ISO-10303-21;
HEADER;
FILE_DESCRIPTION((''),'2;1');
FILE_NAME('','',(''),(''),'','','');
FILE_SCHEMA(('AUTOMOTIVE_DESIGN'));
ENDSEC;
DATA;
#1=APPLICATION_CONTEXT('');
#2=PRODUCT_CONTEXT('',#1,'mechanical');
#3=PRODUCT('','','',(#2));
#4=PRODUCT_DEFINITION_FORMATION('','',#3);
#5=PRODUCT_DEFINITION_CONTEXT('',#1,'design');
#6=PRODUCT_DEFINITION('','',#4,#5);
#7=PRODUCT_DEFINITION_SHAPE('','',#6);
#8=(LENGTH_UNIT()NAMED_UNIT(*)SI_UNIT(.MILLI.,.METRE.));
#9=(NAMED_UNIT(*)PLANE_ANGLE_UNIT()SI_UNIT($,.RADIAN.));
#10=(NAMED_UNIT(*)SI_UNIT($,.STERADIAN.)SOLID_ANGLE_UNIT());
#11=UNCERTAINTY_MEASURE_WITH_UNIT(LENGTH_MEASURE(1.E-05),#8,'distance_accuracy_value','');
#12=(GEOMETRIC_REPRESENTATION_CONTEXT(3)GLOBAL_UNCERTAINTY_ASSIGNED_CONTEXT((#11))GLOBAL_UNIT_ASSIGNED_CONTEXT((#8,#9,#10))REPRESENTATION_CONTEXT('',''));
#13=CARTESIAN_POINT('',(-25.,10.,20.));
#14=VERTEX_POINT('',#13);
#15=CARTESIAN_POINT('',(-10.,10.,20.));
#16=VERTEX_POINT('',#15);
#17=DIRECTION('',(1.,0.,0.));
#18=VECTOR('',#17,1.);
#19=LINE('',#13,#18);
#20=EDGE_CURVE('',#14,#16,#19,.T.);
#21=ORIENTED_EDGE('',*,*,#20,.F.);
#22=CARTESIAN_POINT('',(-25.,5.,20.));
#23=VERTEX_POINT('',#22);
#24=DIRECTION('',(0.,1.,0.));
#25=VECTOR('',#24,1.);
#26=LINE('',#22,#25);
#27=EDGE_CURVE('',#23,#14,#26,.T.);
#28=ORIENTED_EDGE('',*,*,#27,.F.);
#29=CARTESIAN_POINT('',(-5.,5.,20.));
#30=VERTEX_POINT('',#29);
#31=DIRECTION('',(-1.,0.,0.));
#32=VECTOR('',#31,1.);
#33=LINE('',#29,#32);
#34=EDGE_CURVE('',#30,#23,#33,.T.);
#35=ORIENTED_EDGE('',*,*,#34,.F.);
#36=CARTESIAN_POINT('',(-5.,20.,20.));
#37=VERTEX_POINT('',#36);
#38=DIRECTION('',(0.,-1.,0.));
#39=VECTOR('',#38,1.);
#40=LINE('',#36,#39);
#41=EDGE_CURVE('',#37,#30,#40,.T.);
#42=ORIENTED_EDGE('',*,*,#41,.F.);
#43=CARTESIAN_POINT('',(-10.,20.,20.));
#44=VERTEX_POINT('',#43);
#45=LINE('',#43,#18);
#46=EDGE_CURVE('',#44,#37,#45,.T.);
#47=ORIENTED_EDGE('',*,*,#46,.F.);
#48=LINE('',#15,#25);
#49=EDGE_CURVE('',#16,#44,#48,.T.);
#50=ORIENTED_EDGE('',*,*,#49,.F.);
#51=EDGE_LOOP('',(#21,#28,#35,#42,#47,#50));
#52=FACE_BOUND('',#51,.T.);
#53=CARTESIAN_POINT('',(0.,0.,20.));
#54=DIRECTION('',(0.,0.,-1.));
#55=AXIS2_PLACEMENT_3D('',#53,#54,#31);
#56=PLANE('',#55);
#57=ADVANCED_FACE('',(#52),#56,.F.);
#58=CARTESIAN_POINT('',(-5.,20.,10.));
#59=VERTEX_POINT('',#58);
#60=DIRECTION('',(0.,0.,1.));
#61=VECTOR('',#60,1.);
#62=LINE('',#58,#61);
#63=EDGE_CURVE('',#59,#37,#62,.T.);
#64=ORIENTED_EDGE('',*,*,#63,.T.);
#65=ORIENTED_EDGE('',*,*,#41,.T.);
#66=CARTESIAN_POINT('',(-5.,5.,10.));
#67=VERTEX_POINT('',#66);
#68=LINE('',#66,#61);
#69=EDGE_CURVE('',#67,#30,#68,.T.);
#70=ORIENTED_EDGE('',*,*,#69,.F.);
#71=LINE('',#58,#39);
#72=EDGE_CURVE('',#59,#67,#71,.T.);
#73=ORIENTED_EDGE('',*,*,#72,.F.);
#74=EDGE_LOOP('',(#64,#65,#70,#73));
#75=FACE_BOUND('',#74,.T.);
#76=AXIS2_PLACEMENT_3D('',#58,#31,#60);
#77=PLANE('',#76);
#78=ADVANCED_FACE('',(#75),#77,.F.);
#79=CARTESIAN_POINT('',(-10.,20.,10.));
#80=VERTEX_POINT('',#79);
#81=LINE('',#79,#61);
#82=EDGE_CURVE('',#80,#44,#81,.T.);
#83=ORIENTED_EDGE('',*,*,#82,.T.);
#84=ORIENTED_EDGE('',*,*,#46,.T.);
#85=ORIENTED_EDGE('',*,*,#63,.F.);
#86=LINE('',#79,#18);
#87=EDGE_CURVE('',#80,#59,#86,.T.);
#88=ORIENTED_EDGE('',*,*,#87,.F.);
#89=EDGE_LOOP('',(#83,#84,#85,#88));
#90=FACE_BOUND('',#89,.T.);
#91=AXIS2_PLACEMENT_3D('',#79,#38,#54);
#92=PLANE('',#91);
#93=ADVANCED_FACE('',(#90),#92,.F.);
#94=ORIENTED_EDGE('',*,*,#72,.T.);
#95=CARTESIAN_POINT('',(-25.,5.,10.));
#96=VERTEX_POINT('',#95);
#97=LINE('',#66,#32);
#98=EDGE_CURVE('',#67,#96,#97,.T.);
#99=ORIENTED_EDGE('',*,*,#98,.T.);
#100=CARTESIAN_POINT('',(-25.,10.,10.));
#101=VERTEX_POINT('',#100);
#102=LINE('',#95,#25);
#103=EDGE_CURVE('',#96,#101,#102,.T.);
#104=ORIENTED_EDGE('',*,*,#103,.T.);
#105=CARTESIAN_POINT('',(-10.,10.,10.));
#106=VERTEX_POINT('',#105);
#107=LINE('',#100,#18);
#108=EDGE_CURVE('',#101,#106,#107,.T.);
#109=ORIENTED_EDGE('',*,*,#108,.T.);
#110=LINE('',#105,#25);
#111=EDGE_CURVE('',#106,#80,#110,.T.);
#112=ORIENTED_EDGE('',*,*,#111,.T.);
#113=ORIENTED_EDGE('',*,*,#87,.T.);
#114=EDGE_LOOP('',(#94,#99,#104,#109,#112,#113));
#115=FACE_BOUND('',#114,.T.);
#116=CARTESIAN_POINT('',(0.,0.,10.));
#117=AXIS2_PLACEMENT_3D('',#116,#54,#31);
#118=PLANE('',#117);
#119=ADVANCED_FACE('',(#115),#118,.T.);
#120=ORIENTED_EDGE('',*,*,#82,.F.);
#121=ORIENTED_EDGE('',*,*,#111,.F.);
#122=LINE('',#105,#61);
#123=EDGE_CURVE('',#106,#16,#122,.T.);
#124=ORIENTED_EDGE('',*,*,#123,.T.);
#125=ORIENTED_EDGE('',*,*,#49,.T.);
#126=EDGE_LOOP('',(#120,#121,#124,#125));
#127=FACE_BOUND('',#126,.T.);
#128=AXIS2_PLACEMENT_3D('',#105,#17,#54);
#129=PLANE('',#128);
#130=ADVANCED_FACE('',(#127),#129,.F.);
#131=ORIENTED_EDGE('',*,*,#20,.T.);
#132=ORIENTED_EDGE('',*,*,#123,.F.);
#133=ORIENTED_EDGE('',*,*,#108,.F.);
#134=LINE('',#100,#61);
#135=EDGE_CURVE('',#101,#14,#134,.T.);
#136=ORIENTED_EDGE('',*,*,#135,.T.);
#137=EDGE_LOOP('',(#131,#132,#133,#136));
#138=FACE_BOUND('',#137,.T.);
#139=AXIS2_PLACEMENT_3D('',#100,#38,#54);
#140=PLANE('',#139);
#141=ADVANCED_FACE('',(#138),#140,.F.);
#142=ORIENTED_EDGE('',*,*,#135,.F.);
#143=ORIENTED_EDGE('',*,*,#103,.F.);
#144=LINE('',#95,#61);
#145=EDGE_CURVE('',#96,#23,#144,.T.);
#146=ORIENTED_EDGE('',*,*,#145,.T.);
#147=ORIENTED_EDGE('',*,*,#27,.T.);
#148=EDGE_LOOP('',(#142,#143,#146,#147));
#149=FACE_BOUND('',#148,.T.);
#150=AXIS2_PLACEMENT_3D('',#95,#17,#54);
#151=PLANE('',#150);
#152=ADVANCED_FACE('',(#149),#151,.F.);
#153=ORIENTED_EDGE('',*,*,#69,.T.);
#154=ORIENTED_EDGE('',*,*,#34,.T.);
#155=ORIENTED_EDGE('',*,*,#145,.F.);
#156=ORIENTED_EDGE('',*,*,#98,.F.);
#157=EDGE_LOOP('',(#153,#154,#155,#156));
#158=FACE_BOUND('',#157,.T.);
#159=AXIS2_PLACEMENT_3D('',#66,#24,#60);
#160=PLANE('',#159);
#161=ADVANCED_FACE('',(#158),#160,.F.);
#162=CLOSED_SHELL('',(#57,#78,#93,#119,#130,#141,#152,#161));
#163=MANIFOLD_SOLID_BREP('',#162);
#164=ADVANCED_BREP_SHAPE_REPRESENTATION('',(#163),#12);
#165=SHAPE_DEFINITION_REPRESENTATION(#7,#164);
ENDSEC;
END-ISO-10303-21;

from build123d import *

# Parameters (mm, degrees)
BOSS_EXTRUDE1_DEPTH = 10


with BuildPart() as part:
    # Sketch1 → Boss-Extrude1 (new body)
    with BuildSketch(Plane(origin=(0, 0, 20), x_dir=(-1, 0, 0), z_dir=(0, 0, -1))):
        Polygon((5, 5), (25, 5), (25, 10), (10, 10), (10, 20), (5, 20), align=None)
    extrude(amount=BOSS_EXTRUDE1_DEPTH)


solid = part.part
